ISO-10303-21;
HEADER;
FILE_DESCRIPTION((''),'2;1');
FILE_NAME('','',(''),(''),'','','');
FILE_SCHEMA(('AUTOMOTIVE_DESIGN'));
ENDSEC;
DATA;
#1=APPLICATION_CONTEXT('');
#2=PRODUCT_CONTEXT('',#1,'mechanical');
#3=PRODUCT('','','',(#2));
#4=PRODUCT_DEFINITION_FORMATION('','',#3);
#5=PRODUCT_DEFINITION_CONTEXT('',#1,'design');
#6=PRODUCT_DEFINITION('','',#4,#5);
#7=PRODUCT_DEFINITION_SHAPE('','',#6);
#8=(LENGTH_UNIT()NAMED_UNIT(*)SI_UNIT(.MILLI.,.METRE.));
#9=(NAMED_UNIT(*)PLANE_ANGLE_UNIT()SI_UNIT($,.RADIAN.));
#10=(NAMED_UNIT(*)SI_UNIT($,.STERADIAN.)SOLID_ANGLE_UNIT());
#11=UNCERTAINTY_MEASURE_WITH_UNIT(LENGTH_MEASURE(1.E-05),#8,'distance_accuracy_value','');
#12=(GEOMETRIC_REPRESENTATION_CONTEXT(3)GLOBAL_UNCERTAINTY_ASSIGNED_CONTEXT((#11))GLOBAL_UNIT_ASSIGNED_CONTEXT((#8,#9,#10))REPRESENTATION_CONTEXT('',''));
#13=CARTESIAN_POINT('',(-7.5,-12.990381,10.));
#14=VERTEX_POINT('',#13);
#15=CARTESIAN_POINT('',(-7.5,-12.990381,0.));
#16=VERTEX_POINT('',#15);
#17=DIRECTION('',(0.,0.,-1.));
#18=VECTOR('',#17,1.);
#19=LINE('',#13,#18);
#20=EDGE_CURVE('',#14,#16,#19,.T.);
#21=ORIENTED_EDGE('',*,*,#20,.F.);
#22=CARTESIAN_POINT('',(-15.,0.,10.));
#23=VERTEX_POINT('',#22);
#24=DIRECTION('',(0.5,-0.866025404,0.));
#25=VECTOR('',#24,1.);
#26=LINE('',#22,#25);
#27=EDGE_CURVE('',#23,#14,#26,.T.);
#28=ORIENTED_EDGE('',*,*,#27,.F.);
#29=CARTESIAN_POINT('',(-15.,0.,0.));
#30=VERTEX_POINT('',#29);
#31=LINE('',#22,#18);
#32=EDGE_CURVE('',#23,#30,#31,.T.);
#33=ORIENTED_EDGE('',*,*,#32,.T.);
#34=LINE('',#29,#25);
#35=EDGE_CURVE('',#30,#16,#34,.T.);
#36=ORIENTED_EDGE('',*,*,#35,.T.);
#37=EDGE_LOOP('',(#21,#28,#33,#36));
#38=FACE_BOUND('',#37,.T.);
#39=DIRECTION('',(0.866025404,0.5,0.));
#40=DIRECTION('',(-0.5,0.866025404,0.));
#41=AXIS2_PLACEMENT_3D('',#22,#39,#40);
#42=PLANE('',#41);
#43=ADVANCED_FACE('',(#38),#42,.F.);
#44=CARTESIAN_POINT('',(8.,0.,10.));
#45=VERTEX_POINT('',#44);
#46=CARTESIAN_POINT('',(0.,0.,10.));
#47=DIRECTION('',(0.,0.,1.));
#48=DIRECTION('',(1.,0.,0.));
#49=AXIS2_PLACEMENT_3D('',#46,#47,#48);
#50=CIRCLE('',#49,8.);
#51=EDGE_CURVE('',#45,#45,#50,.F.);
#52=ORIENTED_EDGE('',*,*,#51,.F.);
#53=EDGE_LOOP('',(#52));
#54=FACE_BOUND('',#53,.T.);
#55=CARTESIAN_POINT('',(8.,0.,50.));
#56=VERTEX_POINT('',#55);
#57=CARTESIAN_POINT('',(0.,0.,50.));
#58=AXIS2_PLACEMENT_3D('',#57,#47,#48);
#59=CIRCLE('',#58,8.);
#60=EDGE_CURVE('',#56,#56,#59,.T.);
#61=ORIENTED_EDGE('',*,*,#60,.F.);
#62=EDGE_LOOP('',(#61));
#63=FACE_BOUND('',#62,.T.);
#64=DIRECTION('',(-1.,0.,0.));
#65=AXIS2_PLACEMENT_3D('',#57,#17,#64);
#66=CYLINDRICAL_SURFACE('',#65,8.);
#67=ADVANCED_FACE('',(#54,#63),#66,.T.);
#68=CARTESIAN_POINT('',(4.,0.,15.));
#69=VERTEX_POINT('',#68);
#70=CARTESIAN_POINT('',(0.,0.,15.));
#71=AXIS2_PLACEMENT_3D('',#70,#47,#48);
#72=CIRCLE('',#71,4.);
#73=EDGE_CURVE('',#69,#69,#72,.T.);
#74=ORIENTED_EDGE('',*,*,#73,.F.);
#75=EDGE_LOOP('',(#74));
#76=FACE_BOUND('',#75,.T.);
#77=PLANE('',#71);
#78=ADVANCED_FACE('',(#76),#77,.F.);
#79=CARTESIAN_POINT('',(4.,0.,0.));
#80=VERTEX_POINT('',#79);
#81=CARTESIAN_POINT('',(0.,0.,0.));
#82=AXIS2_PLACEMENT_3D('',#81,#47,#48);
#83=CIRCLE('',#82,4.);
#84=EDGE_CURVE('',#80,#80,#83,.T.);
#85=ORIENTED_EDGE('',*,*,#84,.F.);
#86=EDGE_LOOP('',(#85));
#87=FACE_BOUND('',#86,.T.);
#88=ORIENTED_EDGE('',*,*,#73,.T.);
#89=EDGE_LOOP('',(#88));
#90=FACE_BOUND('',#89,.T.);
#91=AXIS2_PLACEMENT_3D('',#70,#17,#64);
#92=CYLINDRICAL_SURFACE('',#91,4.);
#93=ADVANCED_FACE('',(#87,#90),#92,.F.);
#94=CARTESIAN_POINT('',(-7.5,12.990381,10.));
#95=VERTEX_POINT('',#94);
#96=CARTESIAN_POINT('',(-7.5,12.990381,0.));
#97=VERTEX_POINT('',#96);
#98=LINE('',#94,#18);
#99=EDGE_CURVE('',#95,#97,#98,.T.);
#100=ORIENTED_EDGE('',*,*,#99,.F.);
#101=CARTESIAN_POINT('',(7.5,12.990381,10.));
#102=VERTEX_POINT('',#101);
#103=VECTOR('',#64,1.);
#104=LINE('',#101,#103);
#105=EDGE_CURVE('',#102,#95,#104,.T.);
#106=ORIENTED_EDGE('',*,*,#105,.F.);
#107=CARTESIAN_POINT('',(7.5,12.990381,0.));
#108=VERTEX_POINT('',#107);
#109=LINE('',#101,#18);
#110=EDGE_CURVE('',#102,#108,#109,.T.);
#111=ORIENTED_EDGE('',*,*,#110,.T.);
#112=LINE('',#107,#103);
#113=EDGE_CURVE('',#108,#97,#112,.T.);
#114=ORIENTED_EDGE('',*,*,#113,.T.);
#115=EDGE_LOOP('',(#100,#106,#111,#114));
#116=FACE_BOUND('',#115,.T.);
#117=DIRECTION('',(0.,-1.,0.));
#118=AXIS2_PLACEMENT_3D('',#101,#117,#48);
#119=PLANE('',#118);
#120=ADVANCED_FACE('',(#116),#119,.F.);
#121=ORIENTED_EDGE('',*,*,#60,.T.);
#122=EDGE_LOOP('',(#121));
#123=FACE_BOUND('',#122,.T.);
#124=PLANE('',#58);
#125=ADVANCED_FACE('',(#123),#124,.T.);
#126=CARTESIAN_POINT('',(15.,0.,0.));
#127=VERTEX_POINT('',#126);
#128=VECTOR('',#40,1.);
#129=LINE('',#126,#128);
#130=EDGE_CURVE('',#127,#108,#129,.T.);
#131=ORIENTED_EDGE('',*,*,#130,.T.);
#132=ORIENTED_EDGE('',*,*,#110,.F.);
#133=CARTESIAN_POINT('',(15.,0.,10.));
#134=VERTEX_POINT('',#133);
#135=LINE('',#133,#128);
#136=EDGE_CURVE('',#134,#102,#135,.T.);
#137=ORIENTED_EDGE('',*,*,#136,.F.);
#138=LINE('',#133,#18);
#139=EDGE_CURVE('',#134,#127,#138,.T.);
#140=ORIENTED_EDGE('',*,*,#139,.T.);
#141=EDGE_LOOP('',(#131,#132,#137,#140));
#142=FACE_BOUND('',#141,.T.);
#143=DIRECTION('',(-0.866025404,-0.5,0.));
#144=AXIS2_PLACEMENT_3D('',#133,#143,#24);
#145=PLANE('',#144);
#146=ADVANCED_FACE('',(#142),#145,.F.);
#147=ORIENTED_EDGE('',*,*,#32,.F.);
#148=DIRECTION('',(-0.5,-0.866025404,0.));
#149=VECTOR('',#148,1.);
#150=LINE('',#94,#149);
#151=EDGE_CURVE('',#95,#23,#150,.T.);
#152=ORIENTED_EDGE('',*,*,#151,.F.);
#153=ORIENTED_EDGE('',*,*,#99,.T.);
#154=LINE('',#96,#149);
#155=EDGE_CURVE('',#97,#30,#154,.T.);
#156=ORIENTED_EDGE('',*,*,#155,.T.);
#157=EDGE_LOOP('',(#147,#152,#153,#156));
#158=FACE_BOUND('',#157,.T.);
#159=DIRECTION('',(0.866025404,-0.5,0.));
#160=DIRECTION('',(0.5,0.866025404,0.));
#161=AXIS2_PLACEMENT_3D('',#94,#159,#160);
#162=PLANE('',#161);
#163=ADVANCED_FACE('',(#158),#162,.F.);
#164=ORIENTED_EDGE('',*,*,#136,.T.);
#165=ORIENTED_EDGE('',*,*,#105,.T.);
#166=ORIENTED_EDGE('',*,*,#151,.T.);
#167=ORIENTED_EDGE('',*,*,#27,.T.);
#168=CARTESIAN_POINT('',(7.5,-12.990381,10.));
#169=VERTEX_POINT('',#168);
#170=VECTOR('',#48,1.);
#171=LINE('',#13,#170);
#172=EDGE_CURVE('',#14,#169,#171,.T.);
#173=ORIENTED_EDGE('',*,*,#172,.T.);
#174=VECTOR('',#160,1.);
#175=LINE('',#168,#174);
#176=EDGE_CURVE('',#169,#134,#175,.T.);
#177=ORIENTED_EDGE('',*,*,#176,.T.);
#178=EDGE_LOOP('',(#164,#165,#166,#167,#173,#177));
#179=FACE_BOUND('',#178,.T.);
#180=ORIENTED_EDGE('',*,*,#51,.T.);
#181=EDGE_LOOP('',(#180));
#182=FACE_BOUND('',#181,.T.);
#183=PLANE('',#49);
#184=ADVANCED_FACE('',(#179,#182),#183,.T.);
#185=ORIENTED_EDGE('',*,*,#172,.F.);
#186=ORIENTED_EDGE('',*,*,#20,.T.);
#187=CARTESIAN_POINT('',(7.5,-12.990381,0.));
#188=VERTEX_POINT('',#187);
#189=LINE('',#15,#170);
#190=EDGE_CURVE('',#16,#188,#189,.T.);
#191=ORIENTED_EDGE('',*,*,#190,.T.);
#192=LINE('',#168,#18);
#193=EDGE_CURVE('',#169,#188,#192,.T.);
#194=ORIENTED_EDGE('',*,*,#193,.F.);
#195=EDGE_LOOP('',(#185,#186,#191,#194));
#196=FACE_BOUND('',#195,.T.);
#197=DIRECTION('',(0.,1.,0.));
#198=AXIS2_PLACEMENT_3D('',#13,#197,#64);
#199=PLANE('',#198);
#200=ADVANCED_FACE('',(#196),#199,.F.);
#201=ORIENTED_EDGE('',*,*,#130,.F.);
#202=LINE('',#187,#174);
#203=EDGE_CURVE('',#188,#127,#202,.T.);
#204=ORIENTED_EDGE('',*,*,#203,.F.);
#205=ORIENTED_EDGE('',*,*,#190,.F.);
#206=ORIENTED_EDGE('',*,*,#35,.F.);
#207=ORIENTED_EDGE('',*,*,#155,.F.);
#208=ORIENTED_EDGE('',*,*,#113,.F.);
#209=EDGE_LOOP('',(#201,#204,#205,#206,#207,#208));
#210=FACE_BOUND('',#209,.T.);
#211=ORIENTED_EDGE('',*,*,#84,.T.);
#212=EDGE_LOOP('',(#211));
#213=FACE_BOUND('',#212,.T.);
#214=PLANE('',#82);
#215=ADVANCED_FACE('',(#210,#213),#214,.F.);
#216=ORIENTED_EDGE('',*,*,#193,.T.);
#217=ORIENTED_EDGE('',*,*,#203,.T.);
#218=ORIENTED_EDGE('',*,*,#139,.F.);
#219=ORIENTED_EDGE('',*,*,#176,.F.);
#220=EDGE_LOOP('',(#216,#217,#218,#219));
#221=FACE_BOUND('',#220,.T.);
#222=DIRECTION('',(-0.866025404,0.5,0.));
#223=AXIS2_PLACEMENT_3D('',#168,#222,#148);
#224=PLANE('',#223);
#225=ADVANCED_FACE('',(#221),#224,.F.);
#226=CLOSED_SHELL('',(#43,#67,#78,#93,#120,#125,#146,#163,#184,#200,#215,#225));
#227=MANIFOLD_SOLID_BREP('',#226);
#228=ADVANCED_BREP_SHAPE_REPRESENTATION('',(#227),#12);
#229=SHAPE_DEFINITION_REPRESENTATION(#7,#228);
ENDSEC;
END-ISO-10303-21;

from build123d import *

# Parameters (mm, degrees)
EXTRUDE_1_DEPTH     = 10
SKETCH_2_R          = 8
EXTRUDE_2_DEPTH     = 50
SKETCH_3_R          = 4
CUT_EXTRUDE_2_DEPTH = 15


with BuildPart() as part:
    # 草图1 → 凸台-拉伸1 (new body)
    with BuildSketch(Plane.XY):
        Polygon((15, 0), (7.5, 12.990381057), (-7.5, 12.990381057), (-15, 0), (-7.5, -12.990381057), (7.5, -12.990381057), align=None)
    extrude(amount=EXTRUDE_1_DEPTH)

    # 草图2 → 凸台-拉伸2 (add)
    with BuildSketch(Plane.XY):
        Circle(SKETCH_2_R)
    extrude(amount=EXTRUDE_2_DEPTH)

    # 草图3 → 切除-拉伸2 (cut)
    with BuildSketch(Plane.XY):
        Circle(SKETCH_3_R)
    extrude(amount=CUT_EXTRUDE_2_DEPTH, mode=Mode.SUBTRACT)


solid = part.part
